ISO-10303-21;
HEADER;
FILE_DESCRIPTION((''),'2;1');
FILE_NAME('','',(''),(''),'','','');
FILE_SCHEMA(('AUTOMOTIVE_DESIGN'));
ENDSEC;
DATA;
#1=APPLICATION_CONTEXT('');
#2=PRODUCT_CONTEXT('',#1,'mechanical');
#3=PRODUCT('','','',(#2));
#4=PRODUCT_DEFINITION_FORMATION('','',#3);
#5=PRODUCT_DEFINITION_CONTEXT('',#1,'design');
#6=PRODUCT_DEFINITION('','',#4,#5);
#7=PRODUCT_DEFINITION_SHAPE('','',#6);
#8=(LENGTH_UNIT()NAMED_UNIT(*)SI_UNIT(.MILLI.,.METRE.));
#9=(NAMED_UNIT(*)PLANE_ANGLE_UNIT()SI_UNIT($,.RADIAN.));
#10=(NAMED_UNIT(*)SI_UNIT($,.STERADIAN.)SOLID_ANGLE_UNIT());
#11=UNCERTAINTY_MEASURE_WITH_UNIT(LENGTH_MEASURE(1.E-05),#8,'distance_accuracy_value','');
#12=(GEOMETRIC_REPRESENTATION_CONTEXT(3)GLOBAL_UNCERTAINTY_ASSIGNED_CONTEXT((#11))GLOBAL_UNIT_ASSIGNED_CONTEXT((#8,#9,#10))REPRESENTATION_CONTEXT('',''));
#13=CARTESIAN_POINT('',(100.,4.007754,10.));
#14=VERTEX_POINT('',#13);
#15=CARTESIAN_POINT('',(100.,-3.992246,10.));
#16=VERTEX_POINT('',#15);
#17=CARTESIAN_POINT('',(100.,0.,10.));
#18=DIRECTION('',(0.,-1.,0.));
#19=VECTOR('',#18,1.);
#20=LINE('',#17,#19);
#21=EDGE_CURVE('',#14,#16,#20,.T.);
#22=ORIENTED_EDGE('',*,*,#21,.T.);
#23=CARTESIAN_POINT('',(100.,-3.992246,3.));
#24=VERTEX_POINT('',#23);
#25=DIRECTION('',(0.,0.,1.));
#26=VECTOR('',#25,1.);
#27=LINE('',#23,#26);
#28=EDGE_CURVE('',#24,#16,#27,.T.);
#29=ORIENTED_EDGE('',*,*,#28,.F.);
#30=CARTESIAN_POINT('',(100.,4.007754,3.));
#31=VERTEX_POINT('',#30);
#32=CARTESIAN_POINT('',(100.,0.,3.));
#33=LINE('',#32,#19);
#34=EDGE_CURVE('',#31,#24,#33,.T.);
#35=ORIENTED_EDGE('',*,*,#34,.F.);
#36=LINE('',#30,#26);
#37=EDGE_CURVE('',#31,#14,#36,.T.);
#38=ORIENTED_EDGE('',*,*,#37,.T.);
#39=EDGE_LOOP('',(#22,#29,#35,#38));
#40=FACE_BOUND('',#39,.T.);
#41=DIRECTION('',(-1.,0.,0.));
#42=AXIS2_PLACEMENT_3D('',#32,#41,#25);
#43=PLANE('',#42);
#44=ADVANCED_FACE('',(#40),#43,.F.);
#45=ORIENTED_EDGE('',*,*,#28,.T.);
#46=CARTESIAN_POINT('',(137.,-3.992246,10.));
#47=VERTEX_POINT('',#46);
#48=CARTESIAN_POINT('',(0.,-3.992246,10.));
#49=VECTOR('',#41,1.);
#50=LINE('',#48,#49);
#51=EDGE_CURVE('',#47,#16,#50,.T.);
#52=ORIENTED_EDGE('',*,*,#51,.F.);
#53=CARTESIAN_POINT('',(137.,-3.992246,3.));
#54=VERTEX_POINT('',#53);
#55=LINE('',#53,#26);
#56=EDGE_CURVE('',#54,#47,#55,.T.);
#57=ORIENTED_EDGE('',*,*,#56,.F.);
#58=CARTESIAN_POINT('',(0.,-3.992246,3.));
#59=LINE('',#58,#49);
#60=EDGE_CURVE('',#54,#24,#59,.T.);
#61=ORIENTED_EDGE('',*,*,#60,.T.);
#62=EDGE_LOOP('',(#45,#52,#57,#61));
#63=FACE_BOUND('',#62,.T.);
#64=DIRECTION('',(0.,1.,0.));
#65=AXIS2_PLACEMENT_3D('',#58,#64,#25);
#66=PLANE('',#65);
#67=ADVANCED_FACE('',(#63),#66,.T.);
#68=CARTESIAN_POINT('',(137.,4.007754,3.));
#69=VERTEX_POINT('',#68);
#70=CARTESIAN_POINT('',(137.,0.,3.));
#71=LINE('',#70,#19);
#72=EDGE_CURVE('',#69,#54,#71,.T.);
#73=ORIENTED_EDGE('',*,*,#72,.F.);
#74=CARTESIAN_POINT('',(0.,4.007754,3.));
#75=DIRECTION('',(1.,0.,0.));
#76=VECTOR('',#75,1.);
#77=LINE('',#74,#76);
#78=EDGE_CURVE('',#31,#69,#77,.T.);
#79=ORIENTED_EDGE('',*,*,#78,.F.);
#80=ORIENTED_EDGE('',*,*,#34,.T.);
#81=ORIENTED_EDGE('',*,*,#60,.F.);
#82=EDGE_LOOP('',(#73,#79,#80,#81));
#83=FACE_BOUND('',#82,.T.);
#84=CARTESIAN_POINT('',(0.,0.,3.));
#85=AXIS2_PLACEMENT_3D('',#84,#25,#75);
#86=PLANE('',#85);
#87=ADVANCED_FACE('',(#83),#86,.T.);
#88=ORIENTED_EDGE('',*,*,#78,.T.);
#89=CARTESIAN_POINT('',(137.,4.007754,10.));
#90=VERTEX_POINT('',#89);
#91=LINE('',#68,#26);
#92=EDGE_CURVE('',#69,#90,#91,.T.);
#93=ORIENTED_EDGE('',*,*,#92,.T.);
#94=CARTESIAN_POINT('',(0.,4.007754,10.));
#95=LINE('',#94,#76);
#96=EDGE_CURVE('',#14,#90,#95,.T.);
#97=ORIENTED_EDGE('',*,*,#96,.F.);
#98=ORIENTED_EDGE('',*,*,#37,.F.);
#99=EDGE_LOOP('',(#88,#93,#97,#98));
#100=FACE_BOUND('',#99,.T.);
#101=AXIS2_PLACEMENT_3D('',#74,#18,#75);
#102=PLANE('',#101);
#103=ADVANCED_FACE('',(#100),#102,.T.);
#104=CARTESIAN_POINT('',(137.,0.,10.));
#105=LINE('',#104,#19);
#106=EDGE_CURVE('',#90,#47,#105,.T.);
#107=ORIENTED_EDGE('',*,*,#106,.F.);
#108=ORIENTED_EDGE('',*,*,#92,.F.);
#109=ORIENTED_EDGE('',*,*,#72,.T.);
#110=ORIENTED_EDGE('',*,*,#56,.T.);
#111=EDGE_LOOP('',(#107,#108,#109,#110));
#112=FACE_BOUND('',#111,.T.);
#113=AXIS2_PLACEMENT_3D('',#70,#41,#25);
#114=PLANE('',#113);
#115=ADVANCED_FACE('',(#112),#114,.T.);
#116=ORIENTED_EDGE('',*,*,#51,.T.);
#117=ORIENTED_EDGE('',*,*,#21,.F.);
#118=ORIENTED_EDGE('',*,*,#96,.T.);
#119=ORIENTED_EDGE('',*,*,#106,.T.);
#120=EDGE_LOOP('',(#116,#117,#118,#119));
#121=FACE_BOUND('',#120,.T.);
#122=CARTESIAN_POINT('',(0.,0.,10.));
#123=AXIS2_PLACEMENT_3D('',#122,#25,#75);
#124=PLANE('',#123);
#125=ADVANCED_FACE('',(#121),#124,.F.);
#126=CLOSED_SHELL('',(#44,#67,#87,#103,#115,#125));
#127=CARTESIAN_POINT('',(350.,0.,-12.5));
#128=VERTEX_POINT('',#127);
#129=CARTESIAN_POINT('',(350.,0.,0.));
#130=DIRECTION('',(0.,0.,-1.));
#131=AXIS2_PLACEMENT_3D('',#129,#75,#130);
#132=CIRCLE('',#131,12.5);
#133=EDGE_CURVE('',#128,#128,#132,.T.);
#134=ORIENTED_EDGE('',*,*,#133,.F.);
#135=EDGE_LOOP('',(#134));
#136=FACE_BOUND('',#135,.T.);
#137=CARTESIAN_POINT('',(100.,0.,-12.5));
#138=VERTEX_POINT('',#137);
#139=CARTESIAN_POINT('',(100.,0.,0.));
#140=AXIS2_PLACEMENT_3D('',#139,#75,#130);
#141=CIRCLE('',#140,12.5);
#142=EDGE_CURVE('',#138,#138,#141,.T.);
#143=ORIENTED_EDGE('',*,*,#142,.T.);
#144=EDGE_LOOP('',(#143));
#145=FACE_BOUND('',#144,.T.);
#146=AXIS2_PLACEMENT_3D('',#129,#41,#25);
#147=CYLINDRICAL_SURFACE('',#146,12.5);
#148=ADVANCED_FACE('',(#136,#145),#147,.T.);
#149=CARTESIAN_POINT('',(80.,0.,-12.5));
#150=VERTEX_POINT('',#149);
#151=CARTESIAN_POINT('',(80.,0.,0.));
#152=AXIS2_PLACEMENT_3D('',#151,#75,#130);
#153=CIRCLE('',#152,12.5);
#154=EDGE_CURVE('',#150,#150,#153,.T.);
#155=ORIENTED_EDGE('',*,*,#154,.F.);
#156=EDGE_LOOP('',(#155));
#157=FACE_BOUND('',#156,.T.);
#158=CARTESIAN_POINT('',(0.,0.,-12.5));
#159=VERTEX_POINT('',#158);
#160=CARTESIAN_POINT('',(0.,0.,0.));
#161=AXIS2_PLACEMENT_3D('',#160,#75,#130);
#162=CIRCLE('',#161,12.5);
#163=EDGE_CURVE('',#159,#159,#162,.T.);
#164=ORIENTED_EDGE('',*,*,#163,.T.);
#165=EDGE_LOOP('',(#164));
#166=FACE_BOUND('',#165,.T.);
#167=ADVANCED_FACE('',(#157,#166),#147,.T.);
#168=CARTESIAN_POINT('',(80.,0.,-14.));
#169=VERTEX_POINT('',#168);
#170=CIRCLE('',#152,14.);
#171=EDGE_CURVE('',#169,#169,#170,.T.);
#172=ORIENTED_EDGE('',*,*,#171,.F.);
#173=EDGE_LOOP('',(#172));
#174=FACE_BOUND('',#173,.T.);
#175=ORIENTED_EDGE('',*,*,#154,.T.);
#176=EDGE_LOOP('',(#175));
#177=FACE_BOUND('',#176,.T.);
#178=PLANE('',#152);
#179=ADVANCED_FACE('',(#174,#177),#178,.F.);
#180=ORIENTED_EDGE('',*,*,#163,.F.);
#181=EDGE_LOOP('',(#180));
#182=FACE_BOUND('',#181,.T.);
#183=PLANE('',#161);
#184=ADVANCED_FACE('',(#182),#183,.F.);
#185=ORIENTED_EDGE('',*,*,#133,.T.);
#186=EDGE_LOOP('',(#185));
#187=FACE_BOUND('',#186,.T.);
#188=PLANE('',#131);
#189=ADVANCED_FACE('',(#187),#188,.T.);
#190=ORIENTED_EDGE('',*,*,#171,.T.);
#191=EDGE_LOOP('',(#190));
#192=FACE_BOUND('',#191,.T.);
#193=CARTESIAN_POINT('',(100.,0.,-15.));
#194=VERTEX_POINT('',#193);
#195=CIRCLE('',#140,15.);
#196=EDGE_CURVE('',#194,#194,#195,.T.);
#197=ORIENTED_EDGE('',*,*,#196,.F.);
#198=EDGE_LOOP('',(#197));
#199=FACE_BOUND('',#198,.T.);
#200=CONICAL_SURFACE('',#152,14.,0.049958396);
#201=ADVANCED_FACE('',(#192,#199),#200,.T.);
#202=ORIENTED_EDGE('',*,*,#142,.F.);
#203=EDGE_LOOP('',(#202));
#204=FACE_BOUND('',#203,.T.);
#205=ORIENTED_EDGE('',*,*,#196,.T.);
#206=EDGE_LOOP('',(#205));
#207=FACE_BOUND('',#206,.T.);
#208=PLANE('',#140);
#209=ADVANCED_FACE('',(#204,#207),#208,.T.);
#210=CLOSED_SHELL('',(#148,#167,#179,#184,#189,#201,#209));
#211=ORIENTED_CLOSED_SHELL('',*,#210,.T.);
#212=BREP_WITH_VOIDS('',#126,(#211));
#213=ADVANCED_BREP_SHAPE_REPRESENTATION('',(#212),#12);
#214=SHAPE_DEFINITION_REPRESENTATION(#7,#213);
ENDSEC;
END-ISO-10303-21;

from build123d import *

# Parameters (mm, degrees)
SKETCH1_R           = 12.5
BOSS_EXTRUDE1_DEPTH = 350
SKETCH3_R           = 15
SKETCH2_R           = 14
SKETCH4_W           = 8
SKETCH4_H           = 37
CUT_EXTRUDE2_DEPTH  = 7


with BuildPart() as part:
    # Sketch1 → Boss-Extrude1 (new body)
    with BuildSketch(Plane.YZ):
        with Locations(Location((0, 0, 0), (0, 0, 270))):
            Circle(SKETCH1_R)
    extrude(amount=BOSS_EXTRUDE1_DEPTH)

    # Sketch3 → Loft1 section 0
    with BuildSketch(Plane.YZ.offset(100)):
        Circle(SKETCH3_R)
    # Sketch2 → Loft1 section 1
    with BuildSketch(Plane.YZ.offset(80)):
        Circle(SKETCH2_R)
    loft()

    # Sketch4 → Cut-Extrude2 (cut)
    with BuildSketch(Plane(origin=(0, 0, 10), x_dir=(0, 1, 0), z_dir=(0, 0, 1))):
        with Locations((0.007753839, -118.5)):
            Rectangle(SKETCH4_W, SKETCH4_H)
    extrude(amount=-CUT_EXTRUDE2_DEPTH, mode=Mode.SUBTRACT)


solid = part.part
